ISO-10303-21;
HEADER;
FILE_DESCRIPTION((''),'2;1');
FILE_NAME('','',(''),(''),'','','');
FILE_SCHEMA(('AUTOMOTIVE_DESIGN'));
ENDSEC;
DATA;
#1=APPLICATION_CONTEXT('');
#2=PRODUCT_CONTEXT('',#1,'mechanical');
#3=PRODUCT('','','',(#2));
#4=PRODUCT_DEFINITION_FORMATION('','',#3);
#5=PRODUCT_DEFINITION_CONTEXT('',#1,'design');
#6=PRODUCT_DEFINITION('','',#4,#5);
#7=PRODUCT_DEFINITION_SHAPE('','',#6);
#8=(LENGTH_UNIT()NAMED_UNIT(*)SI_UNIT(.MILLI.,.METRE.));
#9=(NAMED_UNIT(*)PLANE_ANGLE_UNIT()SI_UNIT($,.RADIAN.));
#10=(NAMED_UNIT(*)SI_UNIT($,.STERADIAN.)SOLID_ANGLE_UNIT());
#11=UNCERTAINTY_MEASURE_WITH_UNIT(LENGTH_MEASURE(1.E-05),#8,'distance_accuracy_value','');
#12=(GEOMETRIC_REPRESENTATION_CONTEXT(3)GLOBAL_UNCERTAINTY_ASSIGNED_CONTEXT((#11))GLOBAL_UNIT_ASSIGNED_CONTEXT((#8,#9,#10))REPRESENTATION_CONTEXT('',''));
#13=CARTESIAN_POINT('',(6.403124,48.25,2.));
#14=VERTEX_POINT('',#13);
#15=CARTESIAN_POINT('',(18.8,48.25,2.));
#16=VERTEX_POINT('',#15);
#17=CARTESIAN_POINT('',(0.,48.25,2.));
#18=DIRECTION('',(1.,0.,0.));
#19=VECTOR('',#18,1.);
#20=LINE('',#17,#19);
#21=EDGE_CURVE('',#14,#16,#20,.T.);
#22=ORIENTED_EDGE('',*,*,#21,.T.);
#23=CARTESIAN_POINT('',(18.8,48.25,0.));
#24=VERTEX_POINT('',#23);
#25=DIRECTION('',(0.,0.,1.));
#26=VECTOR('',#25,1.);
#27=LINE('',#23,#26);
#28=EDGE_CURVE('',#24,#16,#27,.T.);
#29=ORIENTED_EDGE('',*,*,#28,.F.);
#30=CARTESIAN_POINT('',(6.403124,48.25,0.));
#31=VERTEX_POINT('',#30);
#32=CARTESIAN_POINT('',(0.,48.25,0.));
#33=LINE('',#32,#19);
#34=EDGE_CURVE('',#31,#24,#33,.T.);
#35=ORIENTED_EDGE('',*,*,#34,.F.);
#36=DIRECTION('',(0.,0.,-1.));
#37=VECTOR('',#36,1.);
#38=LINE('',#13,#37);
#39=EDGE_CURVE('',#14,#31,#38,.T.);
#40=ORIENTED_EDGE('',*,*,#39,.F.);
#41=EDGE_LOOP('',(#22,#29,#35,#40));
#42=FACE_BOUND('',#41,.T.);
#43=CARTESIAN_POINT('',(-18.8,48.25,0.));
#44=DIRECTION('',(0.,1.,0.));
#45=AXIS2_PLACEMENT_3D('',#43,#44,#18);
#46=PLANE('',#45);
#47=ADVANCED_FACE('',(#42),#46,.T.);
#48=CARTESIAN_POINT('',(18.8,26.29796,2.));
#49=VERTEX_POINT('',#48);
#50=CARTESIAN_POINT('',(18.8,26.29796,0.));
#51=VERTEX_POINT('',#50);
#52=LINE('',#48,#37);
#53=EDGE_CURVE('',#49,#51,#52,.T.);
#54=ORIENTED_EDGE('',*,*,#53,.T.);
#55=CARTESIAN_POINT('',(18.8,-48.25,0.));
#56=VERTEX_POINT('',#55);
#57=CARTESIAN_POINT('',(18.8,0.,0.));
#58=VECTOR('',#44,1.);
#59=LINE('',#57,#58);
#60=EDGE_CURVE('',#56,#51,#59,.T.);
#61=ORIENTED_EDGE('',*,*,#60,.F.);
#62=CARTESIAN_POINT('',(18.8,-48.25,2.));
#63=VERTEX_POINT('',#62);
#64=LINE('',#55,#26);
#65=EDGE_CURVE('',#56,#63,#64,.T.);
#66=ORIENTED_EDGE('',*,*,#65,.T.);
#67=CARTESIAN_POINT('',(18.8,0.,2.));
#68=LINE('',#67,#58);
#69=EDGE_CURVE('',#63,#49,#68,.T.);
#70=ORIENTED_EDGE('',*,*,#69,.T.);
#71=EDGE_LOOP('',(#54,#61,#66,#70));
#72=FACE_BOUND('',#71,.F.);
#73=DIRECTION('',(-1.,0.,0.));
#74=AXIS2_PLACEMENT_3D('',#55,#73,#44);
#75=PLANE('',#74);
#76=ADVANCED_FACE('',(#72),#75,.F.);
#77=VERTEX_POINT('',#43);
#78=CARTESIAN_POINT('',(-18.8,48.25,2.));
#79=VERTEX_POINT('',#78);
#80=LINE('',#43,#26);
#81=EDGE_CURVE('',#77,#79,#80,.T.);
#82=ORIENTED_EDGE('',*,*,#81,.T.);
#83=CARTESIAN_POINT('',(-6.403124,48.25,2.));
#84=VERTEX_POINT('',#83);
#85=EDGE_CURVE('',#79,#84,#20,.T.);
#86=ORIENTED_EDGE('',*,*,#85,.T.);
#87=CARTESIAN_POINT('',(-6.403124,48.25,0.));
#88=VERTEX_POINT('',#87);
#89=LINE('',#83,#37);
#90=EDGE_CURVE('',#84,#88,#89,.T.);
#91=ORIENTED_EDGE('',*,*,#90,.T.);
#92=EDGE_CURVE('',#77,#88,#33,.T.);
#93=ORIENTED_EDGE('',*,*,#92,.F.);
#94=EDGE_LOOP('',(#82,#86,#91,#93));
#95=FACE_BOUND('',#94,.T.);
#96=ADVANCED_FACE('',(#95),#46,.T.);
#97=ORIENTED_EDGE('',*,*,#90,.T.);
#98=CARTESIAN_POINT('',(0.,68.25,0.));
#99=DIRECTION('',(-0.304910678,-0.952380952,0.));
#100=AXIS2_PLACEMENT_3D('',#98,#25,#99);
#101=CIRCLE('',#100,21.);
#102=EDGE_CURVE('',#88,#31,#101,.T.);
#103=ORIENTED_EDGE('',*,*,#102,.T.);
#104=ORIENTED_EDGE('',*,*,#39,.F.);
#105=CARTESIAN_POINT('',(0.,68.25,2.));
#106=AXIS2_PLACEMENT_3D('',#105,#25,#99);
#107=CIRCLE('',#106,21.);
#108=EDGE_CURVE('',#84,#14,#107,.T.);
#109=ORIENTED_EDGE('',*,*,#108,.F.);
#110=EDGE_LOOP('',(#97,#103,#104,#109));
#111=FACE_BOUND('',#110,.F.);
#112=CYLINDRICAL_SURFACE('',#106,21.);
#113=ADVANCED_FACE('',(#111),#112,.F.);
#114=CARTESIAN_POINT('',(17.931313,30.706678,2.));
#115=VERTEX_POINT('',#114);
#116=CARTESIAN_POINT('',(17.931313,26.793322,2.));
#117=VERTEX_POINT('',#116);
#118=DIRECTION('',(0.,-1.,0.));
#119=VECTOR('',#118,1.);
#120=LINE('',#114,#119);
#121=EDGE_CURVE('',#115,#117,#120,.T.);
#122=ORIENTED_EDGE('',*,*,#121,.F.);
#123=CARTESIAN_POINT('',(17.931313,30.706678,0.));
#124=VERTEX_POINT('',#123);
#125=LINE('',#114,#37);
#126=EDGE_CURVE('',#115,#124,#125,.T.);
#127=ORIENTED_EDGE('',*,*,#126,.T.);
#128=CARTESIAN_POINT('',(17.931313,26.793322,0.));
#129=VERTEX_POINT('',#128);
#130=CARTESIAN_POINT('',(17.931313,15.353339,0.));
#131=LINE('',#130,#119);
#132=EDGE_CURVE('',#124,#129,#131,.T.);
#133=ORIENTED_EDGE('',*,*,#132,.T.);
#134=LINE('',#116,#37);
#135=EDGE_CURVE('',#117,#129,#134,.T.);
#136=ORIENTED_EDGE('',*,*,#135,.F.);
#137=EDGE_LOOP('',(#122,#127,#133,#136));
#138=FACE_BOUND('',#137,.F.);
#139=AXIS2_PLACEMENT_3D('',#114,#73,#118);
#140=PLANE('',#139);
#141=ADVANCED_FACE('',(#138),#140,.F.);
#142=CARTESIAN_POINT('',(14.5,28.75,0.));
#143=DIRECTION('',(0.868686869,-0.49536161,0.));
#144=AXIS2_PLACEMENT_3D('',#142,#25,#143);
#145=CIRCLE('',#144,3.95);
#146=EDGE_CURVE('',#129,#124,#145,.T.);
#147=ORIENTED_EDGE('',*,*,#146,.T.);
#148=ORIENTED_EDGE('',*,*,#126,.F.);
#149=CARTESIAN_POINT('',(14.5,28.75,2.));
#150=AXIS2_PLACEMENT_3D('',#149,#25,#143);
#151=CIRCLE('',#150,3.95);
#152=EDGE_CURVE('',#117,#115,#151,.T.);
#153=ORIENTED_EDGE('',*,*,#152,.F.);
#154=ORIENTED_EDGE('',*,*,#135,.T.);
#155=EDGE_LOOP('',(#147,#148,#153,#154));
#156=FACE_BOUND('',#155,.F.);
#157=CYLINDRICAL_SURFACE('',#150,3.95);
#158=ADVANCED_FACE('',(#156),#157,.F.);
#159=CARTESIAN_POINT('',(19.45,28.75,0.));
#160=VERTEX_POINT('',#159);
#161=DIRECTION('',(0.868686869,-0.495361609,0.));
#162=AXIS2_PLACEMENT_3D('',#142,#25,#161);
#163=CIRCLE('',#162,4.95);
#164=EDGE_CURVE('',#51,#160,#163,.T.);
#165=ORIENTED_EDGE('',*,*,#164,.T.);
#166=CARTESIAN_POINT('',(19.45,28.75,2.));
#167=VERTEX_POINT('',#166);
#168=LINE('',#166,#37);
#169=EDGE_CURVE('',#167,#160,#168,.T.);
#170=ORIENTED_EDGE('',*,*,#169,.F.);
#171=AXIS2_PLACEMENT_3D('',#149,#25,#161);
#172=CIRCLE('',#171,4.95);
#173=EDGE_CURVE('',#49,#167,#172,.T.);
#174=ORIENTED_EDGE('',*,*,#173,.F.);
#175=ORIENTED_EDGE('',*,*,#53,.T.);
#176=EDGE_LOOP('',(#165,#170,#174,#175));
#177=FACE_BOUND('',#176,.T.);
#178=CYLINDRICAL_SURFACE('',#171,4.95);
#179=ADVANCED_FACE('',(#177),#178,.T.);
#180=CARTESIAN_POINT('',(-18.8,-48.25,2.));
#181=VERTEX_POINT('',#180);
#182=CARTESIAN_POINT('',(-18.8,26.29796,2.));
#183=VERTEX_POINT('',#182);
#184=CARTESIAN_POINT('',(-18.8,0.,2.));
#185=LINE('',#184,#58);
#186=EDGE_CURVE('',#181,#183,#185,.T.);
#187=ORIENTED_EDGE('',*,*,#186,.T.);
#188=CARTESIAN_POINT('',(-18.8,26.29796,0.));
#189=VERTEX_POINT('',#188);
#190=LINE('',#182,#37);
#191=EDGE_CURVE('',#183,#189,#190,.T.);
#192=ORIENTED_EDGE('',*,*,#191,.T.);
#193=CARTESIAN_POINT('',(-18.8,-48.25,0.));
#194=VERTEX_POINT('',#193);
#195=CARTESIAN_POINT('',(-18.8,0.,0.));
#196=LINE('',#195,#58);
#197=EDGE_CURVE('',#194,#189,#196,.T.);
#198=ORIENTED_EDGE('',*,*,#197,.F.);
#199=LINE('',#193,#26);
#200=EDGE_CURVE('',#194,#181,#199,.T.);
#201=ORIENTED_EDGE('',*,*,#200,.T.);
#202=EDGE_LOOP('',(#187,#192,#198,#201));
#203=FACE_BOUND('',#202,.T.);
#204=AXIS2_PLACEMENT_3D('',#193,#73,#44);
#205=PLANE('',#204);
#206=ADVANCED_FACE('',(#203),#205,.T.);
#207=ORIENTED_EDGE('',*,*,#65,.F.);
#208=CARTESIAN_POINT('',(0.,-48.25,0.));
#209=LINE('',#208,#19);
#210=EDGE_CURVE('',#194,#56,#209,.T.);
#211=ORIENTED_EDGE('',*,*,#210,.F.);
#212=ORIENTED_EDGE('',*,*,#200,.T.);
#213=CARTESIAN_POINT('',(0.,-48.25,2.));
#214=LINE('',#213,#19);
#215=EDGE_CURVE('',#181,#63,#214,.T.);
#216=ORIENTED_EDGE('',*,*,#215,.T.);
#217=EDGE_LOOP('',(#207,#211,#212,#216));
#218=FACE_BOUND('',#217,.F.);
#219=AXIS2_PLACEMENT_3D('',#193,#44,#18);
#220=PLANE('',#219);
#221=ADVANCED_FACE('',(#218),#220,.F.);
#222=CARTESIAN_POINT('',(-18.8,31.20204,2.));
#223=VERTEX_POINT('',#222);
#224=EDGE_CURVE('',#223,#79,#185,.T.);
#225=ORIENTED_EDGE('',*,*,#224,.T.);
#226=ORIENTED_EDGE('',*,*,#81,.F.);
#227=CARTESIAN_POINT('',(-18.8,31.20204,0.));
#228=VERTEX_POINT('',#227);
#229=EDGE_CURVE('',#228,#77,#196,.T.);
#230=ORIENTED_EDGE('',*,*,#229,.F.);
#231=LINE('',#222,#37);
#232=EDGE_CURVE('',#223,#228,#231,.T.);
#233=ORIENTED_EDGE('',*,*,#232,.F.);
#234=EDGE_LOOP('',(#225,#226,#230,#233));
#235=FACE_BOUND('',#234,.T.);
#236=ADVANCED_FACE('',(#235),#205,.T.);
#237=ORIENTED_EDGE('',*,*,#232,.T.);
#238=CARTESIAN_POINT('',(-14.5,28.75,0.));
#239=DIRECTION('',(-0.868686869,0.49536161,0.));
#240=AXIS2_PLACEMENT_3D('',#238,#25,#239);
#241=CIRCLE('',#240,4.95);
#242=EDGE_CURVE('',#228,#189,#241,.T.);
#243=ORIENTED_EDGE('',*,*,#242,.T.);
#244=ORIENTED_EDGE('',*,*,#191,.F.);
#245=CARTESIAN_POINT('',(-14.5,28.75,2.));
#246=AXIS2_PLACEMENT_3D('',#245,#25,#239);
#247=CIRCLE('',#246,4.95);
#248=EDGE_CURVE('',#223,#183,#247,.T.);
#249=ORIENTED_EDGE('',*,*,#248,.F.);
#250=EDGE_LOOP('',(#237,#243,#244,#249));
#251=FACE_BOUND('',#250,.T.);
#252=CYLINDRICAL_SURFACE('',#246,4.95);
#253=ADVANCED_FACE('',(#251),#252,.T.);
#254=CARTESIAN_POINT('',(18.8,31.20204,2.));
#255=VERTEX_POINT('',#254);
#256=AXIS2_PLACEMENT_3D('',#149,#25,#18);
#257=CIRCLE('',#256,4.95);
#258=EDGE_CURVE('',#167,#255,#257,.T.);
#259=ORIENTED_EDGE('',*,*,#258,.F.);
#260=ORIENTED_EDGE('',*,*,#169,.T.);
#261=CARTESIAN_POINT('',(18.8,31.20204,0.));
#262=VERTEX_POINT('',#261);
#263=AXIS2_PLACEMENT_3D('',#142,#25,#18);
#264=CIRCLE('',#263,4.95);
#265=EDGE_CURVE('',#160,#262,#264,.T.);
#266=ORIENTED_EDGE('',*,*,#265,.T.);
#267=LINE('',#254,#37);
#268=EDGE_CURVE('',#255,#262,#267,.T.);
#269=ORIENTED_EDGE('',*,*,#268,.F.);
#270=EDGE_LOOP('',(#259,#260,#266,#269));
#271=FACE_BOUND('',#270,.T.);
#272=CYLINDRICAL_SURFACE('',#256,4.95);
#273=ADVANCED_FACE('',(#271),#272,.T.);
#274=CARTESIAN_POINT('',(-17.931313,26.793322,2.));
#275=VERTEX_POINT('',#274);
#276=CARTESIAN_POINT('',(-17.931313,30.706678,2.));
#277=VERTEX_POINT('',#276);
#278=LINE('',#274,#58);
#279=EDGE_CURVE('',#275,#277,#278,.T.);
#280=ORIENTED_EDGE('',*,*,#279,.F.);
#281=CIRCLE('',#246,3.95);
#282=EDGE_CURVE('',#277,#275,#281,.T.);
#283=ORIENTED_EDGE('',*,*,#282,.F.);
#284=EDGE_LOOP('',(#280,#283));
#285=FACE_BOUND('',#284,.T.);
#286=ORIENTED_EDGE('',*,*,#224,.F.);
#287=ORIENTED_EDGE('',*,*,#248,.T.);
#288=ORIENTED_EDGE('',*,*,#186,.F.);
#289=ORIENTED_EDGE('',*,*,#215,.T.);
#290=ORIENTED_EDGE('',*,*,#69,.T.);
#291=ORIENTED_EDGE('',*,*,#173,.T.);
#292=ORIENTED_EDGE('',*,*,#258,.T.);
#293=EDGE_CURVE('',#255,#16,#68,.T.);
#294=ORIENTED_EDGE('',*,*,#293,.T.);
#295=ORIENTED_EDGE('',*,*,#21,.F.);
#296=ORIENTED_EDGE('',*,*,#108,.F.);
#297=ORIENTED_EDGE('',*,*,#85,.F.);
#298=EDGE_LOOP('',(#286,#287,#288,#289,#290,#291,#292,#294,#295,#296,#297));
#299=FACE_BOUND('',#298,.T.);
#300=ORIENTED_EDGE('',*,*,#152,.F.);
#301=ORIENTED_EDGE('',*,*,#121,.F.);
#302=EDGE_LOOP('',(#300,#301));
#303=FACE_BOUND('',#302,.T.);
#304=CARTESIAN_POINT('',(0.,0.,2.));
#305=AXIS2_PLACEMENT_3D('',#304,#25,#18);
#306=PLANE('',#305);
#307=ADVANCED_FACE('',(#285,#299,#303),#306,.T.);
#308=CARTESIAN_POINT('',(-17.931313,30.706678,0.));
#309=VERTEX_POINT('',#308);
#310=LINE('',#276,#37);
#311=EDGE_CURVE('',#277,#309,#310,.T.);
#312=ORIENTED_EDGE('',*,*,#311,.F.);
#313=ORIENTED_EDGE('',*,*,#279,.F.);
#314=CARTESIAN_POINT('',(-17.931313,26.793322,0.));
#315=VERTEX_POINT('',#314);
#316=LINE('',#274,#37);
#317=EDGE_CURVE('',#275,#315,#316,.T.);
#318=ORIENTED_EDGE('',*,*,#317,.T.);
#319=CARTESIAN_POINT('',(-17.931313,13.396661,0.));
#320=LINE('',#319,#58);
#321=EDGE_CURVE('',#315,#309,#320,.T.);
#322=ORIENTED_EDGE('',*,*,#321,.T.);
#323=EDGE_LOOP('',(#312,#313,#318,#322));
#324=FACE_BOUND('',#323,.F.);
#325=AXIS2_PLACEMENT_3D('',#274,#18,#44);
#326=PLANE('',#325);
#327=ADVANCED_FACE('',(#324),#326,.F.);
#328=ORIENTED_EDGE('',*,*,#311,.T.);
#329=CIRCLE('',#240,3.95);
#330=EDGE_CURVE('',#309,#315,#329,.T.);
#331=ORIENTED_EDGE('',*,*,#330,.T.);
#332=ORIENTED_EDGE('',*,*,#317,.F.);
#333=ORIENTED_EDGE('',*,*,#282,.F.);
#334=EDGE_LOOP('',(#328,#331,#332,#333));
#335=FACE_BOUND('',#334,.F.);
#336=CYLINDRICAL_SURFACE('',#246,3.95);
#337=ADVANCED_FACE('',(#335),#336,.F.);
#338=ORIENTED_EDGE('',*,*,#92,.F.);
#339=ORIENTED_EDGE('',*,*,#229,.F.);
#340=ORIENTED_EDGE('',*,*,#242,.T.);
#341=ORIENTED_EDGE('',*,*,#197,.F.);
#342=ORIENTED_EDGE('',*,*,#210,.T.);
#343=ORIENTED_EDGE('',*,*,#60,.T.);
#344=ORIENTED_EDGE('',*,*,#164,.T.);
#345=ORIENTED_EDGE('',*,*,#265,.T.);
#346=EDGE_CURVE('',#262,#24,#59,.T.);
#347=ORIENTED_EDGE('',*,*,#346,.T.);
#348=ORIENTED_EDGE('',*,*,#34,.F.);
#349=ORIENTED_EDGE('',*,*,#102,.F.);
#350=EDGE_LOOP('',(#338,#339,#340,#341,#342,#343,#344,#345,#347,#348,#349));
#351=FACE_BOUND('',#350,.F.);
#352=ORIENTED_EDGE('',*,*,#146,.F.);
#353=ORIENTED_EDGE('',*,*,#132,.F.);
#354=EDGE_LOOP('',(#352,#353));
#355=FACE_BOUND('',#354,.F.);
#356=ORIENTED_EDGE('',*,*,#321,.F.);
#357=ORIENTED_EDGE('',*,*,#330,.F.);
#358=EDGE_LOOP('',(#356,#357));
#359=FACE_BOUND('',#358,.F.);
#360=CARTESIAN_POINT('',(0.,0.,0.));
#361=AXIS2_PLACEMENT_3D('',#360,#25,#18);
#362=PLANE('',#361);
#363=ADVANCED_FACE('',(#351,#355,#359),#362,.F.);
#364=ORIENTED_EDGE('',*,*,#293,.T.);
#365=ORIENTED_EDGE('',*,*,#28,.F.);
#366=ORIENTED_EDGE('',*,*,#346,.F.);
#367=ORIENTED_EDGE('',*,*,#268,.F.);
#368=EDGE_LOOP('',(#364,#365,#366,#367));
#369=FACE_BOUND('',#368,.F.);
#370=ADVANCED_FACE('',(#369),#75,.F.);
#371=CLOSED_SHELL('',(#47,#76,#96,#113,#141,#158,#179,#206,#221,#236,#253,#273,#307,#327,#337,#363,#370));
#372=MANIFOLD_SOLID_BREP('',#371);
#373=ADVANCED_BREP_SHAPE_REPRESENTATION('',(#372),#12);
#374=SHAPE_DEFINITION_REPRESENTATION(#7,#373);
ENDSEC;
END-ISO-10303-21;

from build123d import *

# Parameters (mm, degrees)
F0_W     = 37.6
F0_H     = 96.5
F1_DEPTH = 2
F3_DEPTH = 2
F5_DEPTH = 2.001


with BuildPart() as f1:
    # F0 (on Top) → F1 (new body)
    with BuildSketch(Plane.XY):
        Rectangle(F0_W, F0_H)
    extrude(amount=F1_DEPTH)

    # F2 (on face) → F3 (join, through all)
    with BuildSketch(Plane.XY.offset(2)):
        with BuildLine():
            Line((-18.8, 26.297960033), (-18.8, 31.202039967))
            ThreePointArc((-18.8, 31.202039967), (-19.45, 28.75), (-18.8, 26.297960033))
        make_face()
        with BuildLine():
            ThreePointArc((19.45, 28.75), (19.2847413723, 30.0183650894), (18.8, 31.202039967))
            Line((18.8, 31.202039967), (18.8, 26.297960033))
            ThreePointArc((18.8, 26.297960033), (19.2847413723, 27.4816349106), (19.45, 28.75))
        make_face()
    extrude(amount=-F3_DEPTH)

    # F4 (on face) → F5 (cut, through all)
    with BuildSketch(Plane.XY.offset(2)):
        with BuildLine():
            Line((-17.9313131313, 26.7933216425), (-17.9313131313, 30.7066783575))
            ThreePointArc((-17.9313131313, 30.7066783575), (-18.45, 28.75), (-17.9313131313, 26.7933216425))
        make_face()
        with BuildLine():
            Line((17.9313131313, 30.7066783575), (17.9313131313, 26.7933216425))
            ThreePointArc((17.9313131313, 26.7933216425), (18.45, 28.75), (17.9313131313, 30.7066783575))
        make_face()
        with BuildLine():
            Line((6.4031242374, 48.25), (-6.4031242374, 48.25))
            ThreePointArc((-6.4031242374, 48.25), (0, 47.25), (6.4031242374, 48.25))
        make_face()
    extrude(amount=-F5_DEPTH, mode=Mode.SUBTRACT)


solid = f1.part
